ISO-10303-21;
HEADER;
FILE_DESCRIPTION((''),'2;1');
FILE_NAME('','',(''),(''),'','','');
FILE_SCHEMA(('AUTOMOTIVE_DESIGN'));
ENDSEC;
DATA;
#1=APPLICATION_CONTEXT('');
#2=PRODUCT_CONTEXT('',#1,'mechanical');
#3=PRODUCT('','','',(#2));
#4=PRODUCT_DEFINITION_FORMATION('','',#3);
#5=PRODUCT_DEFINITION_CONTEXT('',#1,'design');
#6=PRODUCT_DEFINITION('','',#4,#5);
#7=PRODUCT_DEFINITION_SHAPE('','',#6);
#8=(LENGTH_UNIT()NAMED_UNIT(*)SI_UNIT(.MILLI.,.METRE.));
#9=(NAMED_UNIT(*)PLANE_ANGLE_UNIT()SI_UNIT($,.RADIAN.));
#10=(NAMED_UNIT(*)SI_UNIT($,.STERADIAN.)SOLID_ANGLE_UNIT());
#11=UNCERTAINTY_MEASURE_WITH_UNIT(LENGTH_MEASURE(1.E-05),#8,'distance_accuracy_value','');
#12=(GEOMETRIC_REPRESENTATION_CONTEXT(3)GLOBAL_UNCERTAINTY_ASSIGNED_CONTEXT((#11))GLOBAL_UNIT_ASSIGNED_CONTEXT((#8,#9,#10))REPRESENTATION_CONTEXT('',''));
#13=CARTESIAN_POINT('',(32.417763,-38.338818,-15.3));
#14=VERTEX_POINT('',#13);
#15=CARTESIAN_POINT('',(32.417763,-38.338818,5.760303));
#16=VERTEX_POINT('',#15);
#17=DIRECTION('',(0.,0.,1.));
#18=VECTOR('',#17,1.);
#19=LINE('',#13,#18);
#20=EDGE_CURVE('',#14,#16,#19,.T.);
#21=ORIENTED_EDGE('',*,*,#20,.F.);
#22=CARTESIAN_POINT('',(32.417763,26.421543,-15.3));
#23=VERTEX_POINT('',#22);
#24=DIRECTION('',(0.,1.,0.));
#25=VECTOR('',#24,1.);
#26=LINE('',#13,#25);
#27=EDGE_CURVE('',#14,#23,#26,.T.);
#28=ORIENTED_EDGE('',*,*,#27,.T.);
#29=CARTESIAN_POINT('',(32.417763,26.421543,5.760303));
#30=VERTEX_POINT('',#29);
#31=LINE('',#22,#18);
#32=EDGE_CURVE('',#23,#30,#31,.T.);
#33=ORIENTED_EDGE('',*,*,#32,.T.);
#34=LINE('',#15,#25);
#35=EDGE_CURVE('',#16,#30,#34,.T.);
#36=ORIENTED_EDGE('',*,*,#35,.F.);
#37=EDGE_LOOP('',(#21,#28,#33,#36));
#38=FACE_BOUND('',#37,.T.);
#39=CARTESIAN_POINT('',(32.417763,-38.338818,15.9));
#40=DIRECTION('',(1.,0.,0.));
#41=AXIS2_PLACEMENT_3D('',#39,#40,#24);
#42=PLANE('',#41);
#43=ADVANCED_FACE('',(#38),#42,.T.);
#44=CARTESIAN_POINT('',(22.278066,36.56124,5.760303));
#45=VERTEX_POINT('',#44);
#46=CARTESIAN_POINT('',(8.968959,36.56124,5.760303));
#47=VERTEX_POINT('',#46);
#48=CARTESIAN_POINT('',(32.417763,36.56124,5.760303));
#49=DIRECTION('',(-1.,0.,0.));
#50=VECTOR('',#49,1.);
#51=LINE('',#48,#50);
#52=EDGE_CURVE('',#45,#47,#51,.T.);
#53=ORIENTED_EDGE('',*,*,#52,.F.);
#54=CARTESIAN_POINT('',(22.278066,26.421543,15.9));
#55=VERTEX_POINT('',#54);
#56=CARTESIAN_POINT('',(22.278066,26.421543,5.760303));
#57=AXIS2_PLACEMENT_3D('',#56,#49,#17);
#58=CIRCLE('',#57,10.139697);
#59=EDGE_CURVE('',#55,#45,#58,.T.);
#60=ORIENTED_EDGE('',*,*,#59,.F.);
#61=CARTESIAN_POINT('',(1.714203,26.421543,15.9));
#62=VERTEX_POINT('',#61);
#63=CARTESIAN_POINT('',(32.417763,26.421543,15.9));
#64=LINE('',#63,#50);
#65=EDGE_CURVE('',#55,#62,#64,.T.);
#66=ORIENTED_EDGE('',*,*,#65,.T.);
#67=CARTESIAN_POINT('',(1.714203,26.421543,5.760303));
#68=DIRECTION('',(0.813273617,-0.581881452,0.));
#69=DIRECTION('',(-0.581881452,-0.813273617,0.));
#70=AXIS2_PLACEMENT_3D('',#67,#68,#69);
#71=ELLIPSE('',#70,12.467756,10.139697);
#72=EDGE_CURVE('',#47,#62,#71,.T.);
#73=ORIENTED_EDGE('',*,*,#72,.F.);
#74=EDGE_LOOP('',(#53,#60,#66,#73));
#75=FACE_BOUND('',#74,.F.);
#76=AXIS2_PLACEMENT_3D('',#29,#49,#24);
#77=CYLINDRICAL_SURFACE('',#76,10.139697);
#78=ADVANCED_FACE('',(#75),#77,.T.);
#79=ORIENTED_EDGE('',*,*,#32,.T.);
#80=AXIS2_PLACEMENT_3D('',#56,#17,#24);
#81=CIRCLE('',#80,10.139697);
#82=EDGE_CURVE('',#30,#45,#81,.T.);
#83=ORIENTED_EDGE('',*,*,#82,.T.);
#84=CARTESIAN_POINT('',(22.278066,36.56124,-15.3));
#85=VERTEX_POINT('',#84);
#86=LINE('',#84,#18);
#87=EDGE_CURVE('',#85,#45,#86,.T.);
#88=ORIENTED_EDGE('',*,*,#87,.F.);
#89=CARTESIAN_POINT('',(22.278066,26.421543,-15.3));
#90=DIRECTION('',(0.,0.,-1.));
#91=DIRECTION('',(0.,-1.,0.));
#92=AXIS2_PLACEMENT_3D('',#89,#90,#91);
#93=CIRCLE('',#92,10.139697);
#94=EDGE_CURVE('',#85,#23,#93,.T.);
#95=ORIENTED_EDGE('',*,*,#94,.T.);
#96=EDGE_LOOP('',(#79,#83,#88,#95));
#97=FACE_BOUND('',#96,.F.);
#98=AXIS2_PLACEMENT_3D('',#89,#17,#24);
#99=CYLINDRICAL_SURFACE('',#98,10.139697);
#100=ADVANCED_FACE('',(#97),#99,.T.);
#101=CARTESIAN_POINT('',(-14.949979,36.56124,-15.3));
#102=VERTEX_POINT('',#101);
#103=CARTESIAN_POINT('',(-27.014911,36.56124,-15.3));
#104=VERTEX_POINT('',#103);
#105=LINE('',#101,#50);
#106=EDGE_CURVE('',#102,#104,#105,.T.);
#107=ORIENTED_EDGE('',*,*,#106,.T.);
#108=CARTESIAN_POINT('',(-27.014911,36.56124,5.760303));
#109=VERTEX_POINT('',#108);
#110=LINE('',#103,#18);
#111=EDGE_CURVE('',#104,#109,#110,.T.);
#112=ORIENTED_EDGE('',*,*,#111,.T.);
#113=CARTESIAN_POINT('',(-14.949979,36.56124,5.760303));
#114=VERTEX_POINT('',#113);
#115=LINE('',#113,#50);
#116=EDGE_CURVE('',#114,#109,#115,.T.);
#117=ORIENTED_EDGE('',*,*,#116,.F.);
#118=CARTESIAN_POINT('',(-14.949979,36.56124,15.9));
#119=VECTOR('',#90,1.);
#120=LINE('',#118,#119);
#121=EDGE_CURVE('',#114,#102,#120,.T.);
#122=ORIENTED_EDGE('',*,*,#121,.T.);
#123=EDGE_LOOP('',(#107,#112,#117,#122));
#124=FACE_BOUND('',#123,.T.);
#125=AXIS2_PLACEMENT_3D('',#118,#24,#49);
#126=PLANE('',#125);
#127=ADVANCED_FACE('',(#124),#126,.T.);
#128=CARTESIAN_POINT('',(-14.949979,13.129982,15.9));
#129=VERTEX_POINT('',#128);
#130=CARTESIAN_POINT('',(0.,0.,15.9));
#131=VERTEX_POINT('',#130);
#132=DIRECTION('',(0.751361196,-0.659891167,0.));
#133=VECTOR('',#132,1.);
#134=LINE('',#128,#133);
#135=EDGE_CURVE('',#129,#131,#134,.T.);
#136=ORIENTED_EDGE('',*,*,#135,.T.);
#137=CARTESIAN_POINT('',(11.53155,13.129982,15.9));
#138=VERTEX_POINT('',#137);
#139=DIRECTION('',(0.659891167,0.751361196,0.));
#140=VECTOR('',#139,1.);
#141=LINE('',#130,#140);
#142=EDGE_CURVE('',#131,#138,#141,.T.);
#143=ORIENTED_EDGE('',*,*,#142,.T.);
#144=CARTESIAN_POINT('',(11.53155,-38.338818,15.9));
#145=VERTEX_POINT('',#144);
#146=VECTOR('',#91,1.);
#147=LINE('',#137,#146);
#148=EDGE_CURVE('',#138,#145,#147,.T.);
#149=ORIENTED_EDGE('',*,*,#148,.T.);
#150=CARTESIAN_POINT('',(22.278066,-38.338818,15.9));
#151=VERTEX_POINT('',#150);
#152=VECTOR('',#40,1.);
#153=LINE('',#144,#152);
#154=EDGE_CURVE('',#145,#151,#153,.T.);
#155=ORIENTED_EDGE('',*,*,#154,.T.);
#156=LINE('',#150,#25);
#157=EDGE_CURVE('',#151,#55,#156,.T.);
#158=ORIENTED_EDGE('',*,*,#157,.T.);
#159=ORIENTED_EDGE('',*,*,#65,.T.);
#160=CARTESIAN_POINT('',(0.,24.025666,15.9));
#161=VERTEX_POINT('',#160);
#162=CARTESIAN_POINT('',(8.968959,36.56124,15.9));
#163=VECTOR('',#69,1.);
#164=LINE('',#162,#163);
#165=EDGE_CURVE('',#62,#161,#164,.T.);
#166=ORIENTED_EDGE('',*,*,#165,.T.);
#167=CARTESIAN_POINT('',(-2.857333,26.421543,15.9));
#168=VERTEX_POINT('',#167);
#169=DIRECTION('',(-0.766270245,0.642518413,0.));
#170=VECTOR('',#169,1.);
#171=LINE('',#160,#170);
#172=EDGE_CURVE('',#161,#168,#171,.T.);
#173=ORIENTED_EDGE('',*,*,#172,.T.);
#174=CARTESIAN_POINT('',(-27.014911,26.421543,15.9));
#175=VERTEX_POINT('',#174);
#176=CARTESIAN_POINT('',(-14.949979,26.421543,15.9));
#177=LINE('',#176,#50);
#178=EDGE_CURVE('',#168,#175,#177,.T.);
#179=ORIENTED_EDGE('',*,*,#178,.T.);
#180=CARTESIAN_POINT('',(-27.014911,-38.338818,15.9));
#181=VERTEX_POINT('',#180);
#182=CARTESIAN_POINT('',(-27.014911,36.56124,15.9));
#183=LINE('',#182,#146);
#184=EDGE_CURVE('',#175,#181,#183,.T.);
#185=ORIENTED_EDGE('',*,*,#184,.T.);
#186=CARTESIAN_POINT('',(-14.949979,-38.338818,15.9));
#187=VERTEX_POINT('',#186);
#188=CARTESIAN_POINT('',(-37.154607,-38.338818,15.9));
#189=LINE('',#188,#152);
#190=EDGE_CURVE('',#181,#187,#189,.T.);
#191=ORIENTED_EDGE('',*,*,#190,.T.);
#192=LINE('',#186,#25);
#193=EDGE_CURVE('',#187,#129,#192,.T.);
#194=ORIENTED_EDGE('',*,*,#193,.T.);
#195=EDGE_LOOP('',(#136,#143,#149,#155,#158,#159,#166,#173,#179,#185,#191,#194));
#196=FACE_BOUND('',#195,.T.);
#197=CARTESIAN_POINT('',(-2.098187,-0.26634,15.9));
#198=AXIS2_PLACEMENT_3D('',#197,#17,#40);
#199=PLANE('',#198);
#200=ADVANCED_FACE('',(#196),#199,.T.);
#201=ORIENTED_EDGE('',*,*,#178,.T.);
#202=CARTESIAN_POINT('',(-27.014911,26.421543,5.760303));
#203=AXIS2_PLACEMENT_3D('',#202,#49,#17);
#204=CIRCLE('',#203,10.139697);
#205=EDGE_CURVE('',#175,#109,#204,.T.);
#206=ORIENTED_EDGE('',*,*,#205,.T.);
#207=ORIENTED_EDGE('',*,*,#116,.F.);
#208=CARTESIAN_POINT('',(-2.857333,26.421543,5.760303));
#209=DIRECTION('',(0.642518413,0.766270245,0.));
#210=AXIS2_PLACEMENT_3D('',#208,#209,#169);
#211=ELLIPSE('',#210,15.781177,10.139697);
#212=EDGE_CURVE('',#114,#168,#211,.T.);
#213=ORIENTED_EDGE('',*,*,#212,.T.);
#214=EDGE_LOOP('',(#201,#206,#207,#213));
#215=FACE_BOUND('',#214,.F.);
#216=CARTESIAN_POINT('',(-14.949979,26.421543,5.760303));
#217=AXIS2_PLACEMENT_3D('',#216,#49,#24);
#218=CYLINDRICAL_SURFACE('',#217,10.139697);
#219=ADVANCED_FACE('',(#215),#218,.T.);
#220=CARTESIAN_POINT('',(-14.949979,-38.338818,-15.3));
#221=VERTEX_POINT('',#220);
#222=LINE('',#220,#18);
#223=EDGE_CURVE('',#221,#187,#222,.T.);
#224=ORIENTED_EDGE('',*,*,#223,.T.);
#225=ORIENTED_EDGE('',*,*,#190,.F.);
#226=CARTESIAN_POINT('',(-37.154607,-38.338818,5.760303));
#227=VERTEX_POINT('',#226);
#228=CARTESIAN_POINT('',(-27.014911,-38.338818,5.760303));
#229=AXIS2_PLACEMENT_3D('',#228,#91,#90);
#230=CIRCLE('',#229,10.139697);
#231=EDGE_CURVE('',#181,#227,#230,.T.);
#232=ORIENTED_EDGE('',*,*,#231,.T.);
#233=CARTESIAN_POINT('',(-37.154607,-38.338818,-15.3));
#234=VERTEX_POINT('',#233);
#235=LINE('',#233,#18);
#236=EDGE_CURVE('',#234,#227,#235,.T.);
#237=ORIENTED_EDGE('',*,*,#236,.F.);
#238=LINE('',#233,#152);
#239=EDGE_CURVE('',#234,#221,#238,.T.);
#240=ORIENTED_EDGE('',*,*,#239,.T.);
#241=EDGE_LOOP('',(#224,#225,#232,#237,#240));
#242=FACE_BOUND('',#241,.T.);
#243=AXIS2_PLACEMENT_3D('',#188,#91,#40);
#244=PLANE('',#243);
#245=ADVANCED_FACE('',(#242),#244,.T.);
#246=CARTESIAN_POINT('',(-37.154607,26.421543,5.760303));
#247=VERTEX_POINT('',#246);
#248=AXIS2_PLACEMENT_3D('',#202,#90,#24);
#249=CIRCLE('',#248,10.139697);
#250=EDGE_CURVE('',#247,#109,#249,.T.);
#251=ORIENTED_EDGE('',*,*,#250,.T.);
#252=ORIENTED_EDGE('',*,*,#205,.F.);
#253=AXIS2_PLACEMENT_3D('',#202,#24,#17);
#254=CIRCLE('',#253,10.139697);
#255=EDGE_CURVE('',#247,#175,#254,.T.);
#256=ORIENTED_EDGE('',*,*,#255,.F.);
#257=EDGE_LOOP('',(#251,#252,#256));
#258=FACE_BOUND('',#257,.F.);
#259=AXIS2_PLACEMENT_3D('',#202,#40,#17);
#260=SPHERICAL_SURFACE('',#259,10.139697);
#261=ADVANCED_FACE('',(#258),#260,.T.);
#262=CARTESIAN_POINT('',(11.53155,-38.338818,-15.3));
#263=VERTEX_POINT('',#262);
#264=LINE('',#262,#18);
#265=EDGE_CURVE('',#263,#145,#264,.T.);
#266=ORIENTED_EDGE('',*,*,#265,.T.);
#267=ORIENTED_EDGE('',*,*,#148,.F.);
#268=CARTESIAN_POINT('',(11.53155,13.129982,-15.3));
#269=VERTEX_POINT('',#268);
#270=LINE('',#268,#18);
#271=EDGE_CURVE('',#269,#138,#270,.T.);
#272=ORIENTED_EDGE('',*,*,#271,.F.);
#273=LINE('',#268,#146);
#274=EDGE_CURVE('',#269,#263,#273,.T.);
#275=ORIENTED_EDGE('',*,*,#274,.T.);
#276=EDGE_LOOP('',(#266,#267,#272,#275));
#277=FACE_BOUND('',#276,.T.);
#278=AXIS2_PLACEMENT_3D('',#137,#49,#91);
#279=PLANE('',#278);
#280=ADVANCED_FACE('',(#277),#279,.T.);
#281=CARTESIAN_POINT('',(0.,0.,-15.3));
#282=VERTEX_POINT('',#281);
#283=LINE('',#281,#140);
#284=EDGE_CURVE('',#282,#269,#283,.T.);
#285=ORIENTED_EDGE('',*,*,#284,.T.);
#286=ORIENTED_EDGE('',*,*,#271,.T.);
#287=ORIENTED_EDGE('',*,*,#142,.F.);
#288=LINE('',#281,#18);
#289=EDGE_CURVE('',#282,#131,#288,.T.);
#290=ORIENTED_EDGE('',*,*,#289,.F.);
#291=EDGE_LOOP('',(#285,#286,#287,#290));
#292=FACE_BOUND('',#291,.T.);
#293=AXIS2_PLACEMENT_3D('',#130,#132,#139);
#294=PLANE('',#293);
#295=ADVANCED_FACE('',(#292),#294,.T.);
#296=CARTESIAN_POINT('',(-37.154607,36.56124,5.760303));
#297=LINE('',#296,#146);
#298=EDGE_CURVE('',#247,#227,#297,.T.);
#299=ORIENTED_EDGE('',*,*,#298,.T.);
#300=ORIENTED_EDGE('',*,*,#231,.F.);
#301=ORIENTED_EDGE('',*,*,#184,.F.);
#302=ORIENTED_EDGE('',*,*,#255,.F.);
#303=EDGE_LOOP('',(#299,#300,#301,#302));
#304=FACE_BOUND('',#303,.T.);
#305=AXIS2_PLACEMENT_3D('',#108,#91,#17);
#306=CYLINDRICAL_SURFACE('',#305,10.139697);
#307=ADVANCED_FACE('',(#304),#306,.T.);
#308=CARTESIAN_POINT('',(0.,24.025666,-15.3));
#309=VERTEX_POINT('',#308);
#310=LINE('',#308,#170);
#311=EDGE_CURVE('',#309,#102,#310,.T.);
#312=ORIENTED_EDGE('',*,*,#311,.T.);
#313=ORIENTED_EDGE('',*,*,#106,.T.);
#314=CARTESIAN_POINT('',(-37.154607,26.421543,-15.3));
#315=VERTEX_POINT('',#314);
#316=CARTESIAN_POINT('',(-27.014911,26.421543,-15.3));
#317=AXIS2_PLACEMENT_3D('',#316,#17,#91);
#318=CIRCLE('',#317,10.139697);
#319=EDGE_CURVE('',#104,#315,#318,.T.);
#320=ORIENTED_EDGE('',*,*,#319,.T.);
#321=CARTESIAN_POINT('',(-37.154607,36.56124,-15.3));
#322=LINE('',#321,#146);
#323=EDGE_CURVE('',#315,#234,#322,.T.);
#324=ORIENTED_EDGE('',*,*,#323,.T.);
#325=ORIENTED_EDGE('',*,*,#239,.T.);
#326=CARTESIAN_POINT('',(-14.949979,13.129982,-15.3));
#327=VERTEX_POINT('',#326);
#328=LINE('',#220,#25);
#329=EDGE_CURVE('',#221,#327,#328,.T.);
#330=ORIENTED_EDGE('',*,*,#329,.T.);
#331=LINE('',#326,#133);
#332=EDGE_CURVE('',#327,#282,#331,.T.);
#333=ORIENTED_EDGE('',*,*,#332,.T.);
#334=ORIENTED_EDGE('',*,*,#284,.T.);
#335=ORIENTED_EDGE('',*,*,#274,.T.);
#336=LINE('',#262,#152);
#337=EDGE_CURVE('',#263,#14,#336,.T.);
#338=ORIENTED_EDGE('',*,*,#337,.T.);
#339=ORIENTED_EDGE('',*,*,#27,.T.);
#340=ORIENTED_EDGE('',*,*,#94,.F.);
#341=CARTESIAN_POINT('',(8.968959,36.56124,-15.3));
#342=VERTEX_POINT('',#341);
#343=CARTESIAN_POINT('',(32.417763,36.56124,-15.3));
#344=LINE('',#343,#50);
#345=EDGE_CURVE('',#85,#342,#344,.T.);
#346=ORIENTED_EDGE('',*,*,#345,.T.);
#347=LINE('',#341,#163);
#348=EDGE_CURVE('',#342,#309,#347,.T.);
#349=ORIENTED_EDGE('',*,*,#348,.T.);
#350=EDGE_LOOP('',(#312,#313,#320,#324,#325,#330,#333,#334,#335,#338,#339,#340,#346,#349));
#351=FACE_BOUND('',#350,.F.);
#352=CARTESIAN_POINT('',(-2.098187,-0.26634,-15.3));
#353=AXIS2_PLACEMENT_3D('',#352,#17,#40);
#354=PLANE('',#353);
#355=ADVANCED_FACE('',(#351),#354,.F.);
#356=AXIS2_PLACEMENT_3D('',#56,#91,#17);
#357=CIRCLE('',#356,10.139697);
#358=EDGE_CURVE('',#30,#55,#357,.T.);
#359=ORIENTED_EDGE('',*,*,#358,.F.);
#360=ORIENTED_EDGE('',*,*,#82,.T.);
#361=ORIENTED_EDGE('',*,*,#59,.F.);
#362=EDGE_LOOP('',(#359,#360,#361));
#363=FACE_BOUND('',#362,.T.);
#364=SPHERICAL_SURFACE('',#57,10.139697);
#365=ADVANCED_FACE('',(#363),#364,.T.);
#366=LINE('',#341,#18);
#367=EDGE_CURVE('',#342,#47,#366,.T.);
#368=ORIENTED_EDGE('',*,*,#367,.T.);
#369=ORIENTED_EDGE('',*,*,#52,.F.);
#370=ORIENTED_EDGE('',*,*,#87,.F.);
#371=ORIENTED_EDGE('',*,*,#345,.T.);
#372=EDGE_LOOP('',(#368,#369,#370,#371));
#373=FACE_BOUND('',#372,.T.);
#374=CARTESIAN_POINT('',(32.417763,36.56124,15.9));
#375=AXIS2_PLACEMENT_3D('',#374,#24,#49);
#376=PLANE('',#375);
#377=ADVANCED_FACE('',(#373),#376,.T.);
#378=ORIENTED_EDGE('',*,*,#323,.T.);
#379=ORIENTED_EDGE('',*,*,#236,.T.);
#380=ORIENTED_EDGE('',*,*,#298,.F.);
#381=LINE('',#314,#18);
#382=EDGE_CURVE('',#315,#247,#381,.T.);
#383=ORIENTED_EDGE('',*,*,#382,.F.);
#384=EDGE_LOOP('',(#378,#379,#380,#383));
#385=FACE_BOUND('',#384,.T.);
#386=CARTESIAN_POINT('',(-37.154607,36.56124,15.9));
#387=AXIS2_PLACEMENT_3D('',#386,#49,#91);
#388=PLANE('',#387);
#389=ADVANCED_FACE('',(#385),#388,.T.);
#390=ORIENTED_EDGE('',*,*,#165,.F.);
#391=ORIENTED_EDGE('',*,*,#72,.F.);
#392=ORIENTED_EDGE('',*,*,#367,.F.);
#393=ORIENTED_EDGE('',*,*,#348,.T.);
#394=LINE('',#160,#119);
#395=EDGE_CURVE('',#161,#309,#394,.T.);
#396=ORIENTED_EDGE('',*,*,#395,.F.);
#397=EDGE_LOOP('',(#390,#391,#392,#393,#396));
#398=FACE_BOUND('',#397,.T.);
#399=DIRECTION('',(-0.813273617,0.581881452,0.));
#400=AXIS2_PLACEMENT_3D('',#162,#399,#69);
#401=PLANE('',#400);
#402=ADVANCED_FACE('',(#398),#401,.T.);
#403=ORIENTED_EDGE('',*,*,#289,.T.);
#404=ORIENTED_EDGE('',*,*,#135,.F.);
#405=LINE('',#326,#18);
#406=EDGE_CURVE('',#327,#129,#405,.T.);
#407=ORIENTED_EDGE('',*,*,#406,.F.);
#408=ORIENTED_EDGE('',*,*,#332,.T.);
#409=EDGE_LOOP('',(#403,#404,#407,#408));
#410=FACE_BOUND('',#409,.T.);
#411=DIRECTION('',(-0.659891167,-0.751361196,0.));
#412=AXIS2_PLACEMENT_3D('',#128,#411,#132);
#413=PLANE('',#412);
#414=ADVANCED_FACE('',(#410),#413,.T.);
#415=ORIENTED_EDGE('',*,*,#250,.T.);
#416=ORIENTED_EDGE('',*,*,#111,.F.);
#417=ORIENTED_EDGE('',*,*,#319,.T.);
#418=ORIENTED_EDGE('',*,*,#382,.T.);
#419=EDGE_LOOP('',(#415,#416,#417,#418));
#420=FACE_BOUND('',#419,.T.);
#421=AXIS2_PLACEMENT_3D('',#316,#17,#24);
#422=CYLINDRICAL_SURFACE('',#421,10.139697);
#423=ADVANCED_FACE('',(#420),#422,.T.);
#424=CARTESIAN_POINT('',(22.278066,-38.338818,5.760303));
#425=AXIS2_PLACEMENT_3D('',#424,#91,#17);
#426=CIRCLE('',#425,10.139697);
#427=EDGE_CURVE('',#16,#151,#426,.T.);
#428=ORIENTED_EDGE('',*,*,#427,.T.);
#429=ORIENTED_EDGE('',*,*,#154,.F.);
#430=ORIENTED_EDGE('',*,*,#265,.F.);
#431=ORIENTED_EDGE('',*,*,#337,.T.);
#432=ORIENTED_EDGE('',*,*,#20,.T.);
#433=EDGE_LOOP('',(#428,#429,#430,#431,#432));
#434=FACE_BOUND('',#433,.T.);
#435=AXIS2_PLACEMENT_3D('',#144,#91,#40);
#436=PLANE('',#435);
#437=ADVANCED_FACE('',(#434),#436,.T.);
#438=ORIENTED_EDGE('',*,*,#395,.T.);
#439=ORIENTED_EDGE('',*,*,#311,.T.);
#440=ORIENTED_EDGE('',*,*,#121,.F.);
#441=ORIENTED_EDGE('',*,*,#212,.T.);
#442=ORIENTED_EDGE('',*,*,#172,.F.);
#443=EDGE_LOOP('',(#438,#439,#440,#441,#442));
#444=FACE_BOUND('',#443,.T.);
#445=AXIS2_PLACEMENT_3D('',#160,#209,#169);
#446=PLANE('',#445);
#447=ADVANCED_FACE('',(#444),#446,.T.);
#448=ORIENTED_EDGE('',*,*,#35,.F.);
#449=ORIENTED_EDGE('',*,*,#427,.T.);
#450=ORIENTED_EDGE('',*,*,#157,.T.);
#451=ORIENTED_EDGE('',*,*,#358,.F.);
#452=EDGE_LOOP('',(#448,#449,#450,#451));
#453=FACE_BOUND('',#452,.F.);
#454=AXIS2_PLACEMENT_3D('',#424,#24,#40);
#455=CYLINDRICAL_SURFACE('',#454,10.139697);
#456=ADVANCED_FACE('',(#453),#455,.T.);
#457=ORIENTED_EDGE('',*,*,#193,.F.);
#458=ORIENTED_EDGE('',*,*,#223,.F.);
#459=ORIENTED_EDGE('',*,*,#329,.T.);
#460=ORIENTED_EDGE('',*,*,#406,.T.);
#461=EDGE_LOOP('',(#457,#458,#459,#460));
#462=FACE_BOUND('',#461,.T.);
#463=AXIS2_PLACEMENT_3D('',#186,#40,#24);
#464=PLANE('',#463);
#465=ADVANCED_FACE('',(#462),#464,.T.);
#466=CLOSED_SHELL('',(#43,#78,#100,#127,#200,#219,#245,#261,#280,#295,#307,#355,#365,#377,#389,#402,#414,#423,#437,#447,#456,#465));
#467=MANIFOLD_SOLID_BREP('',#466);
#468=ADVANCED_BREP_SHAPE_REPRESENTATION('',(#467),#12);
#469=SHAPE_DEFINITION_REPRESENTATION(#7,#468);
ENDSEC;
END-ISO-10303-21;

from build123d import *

# Parameters (mm, degrees)
F1_DEPTH = 15.9
F2_DEPTH = 31.2
F3_R     = 10.139696962


with BuildPart() as f1:
    # F0 (on Top) → F1 (new body)
    with BuildSketch(Plane.XY):
        Polygon((-14.9499792606, 36.5612395108), (-37.1546074748, 36.5612395108), (-37.1546074748, -38.338817656), (-14.9499792606, -38.338817656), (-14.9499792606, 13.1299823828), (0, 0), (11.5315502696, 13.1299823828), (11.5315502696, -38.338817656), (32.4177630246, -38.338817656), (32.4177630246, 36.5612395108), (8.9689589565, 36.5612395108), (0, 24.0256660507), align=None)
    extrude(amount=F1_DEPTH)

    # F2 (add): a face of the model
    f2_faces = [f1.faces().sort_by_distance(p)[0] for p in [
        (-2.5598021431, 2.3799510678, 15.9),
    ]]
    extrude(f2_faces, amount=-F2_DEPTH)

    # F3
    f3_edges = [f1.edges().sort_by_distance(p)[0] for p in [
        (-26.052293, 36.56124, 15.9),
        (20.693361, 36.56124, 15.9),
        (32.417763, -0.888789, 15.9),
        (-37.154607, -0.888789, 15.9),
        (-37.154607, 36.56124, 0.3),
        (32.417763, 36.56124, 0.3),
    ]]
    fillet(f3_edges, radius=F3_R)


solid = f1.part
